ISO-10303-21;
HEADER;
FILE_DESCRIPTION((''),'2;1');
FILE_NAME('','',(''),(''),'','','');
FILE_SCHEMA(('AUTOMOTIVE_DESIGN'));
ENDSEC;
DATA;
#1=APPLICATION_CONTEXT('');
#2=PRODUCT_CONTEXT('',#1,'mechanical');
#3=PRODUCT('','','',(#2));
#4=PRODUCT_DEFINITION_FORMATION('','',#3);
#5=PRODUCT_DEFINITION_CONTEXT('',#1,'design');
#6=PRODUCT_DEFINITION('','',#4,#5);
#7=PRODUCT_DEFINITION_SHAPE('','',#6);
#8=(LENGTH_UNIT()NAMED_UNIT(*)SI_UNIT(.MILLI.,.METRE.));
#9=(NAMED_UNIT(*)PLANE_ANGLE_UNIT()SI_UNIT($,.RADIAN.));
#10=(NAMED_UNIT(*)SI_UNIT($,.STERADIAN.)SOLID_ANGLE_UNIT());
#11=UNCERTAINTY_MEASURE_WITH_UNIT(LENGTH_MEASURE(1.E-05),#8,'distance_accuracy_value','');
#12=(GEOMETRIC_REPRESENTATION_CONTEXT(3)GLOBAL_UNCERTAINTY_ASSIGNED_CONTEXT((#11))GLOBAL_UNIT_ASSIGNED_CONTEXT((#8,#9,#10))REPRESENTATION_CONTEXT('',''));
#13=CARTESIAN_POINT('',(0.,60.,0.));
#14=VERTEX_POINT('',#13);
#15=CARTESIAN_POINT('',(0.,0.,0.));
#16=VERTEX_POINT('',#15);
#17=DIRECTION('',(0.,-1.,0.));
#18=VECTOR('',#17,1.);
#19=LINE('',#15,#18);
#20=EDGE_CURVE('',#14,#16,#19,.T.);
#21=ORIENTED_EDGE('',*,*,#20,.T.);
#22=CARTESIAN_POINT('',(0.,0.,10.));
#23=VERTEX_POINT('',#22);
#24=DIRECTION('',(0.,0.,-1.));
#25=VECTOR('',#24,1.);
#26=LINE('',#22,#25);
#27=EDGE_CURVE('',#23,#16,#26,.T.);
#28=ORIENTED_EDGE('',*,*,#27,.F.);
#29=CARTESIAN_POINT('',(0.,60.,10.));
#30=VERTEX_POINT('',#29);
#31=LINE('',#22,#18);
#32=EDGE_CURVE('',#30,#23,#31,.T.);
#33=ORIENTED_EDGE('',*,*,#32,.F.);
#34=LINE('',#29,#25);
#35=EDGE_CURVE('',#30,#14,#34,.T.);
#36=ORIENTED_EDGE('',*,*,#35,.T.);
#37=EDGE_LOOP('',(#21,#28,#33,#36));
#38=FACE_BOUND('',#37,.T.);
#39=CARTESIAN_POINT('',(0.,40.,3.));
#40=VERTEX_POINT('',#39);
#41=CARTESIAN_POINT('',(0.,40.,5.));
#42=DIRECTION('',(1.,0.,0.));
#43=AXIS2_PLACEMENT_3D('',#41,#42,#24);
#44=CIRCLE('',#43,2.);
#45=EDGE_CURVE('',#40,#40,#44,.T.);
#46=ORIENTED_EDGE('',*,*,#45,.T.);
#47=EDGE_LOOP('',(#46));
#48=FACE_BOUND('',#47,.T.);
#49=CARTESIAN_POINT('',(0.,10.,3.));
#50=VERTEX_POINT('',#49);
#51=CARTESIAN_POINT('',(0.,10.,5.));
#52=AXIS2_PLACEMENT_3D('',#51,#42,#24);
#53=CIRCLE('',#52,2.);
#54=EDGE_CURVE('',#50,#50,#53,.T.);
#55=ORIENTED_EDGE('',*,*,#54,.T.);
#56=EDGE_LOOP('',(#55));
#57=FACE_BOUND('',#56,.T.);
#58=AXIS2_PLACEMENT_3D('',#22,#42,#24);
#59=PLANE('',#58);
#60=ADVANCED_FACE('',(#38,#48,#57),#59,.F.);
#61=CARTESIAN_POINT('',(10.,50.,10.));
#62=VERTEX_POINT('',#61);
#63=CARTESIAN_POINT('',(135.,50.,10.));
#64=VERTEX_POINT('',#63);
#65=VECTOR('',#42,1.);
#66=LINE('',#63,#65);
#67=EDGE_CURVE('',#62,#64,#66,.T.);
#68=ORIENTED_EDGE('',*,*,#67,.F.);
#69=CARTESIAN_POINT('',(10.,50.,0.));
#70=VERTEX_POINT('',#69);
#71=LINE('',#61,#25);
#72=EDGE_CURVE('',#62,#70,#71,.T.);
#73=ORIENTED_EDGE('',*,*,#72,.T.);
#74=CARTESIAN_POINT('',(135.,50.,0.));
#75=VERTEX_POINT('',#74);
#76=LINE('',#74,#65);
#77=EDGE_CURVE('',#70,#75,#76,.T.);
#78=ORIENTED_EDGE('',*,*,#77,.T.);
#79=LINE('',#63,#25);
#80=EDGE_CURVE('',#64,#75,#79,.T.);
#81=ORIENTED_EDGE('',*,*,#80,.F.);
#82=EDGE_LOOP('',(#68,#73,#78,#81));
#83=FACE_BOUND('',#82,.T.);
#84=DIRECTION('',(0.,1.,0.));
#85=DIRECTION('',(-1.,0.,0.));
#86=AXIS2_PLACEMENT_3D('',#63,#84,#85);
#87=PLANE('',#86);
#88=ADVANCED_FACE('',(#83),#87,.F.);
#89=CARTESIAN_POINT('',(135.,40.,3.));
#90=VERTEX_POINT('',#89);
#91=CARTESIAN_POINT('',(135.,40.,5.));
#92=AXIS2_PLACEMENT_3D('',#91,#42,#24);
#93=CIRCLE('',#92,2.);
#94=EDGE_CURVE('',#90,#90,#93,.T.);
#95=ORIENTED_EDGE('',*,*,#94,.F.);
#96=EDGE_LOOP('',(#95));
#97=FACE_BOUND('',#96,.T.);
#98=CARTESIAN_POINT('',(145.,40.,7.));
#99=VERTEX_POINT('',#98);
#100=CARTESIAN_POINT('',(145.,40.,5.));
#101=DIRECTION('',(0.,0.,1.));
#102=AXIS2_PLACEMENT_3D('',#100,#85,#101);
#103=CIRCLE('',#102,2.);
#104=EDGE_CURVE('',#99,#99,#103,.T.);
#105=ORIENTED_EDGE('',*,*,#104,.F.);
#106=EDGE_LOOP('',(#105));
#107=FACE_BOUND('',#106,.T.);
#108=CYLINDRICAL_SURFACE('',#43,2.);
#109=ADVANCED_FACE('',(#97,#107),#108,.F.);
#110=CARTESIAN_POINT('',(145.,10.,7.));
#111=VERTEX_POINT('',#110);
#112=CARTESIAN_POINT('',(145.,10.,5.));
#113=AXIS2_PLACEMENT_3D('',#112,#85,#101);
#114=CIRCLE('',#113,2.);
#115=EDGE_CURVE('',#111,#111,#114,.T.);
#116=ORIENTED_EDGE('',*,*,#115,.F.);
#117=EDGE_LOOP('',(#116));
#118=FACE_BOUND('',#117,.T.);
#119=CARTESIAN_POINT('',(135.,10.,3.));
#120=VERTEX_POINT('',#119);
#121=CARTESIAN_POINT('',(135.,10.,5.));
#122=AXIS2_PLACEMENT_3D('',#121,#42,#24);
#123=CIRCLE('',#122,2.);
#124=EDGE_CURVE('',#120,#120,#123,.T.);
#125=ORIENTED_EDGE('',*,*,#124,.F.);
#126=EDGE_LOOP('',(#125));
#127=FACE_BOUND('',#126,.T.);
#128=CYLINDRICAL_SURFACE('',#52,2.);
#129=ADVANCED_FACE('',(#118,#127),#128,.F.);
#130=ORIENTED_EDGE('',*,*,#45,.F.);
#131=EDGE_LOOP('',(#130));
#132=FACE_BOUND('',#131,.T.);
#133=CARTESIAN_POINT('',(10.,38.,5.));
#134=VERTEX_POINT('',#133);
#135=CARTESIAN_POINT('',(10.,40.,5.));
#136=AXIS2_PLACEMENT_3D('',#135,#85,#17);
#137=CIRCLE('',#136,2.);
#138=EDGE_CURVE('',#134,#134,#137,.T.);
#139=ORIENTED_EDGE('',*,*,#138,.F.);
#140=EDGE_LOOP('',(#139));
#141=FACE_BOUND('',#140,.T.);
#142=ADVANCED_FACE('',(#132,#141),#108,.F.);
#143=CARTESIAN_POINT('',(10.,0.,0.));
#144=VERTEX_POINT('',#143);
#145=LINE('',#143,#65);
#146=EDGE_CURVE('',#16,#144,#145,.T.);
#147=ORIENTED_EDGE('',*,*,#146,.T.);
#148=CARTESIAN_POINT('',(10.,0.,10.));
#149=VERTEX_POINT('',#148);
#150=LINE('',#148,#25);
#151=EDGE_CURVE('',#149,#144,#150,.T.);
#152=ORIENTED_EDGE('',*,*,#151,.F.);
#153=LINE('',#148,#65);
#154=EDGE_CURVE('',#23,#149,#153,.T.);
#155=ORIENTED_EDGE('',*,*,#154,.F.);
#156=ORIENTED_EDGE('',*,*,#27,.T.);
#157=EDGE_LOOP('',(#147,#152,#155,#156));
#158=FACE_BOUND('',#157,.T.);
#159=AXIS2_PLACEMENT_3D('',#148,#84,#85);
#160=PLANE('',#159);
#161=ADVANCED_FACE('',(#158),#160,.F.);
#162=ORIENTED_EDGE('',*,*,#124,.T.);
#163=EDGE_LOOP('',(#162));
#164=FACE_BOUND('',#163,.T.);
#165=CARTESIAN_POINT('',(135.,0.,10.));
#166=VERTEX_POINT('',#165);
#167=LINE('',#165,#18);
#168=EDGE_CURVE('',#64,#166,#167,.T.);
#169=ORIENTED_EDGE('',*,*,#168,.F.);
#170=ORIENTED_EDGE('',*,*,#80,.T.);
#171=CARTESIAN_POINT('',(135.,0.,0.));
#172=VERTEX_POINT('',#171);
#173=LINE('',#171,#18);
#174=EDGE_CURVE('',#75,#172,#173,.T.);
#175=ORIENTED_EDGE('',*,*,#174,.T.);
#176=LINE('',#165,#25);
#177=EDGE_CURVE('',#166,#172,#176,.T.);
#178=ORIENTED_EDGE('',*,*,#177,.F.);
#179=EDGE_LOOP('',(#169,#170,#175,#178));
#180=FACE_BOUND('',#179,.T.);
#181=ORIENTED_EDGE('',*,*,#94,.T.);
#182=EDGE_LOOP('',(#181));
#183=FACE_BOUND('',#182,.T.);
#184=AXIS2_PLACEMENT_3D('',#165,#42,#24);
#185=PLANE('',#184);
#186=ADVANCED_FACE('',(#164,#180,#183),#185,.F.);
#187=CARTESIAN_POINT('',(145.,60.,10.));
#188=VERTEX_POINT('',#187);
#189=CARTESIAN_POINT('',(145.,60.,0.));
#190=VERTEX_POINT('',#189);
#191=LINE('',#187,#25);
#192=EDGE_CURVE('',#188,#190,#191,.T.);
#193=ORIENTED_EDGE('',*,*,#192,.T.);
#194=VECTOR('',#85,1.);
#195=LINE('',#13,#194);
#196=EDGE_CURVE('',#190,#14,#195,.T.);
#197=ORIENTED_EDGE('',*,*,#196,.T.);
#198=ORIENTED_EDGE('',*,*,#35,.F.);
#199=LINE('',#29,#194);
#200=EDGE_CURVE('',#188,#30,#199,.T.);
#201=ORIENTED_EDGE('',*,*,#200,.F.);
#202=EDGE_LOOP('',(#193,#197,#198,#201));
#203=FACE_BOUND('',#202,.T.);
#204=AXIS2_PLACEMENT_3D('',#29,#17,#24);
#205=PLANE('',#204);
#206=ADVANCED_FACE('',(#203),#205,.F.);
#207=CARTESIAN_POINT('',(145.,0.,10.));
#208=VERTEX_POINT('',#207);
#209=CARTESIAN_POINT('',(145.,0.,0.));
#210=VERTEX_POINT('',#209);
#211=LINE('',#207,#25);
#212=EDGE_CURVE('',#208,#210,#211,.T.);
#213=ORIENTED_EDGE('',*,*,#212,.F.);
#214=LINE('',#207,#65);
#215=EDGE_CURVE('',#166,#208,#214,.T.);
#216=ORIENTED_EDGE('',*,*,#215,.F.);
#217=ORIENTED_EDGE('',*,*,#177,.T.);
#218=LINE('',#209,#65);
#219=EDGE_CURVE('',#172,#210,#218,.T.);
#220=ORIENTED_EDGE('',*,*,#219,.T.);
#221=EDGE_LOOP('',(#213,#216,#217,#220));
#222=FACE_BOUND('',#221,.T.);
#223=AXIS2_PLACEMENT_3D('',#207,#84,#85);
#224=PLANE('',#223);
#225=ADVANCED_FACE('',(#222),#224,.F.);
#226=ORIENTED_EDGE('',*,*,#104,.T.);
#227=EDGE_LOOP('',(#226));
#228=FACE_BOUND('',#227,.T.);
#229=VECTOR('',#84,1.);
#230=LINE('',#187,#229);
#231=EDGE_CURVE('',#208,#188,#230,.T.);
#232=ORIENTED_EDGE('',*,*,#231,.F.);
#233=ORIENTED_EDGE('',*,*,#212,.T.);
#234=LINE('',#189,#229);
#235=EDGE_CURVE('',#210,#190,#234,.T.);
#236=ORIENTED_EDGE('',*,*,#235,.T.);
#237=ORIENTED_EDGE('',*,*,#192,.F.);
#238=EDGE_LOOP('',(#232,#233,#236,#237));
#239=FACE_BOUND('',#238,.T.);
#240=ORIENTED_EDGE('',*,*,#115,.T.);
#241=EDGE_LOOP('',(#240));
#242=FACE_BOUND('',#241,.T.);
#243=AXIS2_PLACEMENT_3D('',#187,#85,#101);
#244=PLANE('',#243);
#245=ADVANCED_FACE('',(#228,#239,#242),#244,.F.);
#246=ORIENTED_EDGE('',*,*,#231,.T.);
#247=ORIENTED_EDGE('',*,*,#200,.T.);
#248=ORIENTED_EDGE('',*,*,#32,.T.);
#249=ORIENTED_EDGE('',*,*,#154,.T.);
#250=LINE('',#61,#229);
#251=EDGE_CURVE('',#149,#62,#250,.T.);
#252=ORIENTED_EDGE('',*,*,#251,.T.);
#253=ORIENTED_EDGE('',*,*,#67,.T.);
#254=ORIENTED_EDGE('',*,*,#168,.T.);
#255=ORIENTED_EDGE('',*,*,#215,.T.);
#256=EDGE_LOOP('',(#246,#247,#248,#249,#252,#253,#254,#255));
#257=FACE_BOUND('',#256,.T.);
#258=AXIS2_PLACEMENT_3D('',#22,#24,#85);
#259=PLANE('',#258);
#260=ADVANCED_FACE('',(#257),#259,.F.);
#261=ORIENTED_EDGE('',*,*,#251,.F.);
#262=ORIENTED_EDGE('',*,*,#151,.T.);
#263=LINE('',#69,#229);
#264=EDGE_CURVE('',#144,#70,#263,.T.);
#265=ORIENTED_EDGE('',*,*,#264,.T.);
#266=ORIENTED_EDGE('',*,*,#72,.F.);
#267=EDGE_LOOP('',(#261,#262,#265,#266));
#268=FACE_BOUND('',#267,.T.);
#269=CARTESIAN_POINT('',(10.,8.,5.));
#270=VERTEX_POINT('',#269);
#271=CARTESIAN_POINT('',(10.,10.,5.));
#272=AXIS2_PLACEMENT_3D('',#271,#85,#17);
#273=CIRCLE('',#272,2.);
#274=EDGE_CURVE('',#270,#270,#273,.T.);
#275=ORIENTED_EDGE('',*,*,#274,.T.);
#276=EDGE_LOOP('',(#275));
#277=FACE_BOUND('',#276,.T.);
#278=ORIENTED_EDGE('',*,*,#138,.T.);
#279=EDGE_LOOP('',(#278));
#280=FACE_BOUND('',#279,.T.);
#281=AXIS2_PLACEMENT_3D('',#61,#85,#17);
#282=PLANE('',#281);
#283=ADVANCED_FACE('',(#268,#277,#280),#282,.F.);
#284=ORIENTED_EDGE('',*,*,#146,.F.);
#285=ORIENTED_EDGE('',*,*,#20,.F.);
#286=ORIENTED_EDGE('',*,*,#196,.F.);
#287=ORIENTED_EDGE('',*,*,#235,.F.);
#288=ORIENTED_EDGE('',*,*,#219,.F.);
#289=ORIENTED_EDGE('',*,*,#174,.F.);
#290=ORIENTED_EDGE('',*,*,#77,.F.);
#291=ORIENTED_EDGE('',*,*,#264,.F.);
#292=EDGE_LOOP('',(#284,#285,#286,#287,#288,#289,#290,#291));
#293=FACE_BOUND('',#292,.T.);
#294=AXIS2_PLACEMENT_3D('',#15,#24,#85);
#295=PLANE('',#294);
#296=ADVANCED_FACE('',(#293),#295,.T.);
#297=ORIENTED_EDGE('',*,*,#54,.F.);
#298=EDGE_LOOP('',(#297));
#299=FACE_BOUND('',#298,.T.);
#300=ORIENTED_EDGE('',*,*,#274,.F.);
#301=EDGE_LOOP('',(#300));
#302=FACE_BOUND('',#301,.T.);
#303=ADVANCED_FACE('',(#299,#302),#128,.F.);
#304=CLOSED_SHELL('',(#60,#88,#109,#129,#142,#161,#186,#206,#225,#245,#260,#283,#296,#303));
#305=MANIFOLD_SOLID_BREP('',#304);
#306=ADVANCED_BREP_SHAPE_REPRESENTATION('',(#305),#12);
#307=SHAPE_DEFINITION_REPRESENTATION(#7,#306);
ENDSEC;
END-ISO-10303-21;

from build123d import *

# Parameters (mm, degrees)
BOSS_EXTRUDE1_DEPTH     = 10
CUT_EXTRUDE1_DEPTH      = 158.241851935
CUT_EXTRUDE1_DEPTH_BACK = 158.241851935
SKETCH4_R               = 2


with BuildPart() as part:
    # Sketch1 → Boss-Extrude1 (new body)
    with BuildSketch(Plane.XY):
        Polygon((0, 0), (0, 60), (145, 60), (145, 0), (135, 0), (135, 50), (10, 50), (10, 0), align=None)
    extrude(amount=BOSS_EXTRUDE1_DEPTH)

    # Sketch4 → Cut-Extrude1 (cut, two sides: drawn at the far end of the back side and taken through both)
    with BuildSketch(Plane(origin=(145, 0, 0), x_dir=(0, 0, -1), z_dir=(1, 0, 0)).offset(-CUT_EXTRUDE1_DEPTH_BACK)):
        with Locations((-5, 10)):
            Circle(SKETCH4_R)
        with Locations((-5, 40)):
            Circle(SKETCH4_R)
    extrude(amount=CUT_EXTRUDE1_DEPTH + CUT_EXTRUDE1_DEPTH_BACK, mode=Mode.SUBTRACT)


solid = part.part
